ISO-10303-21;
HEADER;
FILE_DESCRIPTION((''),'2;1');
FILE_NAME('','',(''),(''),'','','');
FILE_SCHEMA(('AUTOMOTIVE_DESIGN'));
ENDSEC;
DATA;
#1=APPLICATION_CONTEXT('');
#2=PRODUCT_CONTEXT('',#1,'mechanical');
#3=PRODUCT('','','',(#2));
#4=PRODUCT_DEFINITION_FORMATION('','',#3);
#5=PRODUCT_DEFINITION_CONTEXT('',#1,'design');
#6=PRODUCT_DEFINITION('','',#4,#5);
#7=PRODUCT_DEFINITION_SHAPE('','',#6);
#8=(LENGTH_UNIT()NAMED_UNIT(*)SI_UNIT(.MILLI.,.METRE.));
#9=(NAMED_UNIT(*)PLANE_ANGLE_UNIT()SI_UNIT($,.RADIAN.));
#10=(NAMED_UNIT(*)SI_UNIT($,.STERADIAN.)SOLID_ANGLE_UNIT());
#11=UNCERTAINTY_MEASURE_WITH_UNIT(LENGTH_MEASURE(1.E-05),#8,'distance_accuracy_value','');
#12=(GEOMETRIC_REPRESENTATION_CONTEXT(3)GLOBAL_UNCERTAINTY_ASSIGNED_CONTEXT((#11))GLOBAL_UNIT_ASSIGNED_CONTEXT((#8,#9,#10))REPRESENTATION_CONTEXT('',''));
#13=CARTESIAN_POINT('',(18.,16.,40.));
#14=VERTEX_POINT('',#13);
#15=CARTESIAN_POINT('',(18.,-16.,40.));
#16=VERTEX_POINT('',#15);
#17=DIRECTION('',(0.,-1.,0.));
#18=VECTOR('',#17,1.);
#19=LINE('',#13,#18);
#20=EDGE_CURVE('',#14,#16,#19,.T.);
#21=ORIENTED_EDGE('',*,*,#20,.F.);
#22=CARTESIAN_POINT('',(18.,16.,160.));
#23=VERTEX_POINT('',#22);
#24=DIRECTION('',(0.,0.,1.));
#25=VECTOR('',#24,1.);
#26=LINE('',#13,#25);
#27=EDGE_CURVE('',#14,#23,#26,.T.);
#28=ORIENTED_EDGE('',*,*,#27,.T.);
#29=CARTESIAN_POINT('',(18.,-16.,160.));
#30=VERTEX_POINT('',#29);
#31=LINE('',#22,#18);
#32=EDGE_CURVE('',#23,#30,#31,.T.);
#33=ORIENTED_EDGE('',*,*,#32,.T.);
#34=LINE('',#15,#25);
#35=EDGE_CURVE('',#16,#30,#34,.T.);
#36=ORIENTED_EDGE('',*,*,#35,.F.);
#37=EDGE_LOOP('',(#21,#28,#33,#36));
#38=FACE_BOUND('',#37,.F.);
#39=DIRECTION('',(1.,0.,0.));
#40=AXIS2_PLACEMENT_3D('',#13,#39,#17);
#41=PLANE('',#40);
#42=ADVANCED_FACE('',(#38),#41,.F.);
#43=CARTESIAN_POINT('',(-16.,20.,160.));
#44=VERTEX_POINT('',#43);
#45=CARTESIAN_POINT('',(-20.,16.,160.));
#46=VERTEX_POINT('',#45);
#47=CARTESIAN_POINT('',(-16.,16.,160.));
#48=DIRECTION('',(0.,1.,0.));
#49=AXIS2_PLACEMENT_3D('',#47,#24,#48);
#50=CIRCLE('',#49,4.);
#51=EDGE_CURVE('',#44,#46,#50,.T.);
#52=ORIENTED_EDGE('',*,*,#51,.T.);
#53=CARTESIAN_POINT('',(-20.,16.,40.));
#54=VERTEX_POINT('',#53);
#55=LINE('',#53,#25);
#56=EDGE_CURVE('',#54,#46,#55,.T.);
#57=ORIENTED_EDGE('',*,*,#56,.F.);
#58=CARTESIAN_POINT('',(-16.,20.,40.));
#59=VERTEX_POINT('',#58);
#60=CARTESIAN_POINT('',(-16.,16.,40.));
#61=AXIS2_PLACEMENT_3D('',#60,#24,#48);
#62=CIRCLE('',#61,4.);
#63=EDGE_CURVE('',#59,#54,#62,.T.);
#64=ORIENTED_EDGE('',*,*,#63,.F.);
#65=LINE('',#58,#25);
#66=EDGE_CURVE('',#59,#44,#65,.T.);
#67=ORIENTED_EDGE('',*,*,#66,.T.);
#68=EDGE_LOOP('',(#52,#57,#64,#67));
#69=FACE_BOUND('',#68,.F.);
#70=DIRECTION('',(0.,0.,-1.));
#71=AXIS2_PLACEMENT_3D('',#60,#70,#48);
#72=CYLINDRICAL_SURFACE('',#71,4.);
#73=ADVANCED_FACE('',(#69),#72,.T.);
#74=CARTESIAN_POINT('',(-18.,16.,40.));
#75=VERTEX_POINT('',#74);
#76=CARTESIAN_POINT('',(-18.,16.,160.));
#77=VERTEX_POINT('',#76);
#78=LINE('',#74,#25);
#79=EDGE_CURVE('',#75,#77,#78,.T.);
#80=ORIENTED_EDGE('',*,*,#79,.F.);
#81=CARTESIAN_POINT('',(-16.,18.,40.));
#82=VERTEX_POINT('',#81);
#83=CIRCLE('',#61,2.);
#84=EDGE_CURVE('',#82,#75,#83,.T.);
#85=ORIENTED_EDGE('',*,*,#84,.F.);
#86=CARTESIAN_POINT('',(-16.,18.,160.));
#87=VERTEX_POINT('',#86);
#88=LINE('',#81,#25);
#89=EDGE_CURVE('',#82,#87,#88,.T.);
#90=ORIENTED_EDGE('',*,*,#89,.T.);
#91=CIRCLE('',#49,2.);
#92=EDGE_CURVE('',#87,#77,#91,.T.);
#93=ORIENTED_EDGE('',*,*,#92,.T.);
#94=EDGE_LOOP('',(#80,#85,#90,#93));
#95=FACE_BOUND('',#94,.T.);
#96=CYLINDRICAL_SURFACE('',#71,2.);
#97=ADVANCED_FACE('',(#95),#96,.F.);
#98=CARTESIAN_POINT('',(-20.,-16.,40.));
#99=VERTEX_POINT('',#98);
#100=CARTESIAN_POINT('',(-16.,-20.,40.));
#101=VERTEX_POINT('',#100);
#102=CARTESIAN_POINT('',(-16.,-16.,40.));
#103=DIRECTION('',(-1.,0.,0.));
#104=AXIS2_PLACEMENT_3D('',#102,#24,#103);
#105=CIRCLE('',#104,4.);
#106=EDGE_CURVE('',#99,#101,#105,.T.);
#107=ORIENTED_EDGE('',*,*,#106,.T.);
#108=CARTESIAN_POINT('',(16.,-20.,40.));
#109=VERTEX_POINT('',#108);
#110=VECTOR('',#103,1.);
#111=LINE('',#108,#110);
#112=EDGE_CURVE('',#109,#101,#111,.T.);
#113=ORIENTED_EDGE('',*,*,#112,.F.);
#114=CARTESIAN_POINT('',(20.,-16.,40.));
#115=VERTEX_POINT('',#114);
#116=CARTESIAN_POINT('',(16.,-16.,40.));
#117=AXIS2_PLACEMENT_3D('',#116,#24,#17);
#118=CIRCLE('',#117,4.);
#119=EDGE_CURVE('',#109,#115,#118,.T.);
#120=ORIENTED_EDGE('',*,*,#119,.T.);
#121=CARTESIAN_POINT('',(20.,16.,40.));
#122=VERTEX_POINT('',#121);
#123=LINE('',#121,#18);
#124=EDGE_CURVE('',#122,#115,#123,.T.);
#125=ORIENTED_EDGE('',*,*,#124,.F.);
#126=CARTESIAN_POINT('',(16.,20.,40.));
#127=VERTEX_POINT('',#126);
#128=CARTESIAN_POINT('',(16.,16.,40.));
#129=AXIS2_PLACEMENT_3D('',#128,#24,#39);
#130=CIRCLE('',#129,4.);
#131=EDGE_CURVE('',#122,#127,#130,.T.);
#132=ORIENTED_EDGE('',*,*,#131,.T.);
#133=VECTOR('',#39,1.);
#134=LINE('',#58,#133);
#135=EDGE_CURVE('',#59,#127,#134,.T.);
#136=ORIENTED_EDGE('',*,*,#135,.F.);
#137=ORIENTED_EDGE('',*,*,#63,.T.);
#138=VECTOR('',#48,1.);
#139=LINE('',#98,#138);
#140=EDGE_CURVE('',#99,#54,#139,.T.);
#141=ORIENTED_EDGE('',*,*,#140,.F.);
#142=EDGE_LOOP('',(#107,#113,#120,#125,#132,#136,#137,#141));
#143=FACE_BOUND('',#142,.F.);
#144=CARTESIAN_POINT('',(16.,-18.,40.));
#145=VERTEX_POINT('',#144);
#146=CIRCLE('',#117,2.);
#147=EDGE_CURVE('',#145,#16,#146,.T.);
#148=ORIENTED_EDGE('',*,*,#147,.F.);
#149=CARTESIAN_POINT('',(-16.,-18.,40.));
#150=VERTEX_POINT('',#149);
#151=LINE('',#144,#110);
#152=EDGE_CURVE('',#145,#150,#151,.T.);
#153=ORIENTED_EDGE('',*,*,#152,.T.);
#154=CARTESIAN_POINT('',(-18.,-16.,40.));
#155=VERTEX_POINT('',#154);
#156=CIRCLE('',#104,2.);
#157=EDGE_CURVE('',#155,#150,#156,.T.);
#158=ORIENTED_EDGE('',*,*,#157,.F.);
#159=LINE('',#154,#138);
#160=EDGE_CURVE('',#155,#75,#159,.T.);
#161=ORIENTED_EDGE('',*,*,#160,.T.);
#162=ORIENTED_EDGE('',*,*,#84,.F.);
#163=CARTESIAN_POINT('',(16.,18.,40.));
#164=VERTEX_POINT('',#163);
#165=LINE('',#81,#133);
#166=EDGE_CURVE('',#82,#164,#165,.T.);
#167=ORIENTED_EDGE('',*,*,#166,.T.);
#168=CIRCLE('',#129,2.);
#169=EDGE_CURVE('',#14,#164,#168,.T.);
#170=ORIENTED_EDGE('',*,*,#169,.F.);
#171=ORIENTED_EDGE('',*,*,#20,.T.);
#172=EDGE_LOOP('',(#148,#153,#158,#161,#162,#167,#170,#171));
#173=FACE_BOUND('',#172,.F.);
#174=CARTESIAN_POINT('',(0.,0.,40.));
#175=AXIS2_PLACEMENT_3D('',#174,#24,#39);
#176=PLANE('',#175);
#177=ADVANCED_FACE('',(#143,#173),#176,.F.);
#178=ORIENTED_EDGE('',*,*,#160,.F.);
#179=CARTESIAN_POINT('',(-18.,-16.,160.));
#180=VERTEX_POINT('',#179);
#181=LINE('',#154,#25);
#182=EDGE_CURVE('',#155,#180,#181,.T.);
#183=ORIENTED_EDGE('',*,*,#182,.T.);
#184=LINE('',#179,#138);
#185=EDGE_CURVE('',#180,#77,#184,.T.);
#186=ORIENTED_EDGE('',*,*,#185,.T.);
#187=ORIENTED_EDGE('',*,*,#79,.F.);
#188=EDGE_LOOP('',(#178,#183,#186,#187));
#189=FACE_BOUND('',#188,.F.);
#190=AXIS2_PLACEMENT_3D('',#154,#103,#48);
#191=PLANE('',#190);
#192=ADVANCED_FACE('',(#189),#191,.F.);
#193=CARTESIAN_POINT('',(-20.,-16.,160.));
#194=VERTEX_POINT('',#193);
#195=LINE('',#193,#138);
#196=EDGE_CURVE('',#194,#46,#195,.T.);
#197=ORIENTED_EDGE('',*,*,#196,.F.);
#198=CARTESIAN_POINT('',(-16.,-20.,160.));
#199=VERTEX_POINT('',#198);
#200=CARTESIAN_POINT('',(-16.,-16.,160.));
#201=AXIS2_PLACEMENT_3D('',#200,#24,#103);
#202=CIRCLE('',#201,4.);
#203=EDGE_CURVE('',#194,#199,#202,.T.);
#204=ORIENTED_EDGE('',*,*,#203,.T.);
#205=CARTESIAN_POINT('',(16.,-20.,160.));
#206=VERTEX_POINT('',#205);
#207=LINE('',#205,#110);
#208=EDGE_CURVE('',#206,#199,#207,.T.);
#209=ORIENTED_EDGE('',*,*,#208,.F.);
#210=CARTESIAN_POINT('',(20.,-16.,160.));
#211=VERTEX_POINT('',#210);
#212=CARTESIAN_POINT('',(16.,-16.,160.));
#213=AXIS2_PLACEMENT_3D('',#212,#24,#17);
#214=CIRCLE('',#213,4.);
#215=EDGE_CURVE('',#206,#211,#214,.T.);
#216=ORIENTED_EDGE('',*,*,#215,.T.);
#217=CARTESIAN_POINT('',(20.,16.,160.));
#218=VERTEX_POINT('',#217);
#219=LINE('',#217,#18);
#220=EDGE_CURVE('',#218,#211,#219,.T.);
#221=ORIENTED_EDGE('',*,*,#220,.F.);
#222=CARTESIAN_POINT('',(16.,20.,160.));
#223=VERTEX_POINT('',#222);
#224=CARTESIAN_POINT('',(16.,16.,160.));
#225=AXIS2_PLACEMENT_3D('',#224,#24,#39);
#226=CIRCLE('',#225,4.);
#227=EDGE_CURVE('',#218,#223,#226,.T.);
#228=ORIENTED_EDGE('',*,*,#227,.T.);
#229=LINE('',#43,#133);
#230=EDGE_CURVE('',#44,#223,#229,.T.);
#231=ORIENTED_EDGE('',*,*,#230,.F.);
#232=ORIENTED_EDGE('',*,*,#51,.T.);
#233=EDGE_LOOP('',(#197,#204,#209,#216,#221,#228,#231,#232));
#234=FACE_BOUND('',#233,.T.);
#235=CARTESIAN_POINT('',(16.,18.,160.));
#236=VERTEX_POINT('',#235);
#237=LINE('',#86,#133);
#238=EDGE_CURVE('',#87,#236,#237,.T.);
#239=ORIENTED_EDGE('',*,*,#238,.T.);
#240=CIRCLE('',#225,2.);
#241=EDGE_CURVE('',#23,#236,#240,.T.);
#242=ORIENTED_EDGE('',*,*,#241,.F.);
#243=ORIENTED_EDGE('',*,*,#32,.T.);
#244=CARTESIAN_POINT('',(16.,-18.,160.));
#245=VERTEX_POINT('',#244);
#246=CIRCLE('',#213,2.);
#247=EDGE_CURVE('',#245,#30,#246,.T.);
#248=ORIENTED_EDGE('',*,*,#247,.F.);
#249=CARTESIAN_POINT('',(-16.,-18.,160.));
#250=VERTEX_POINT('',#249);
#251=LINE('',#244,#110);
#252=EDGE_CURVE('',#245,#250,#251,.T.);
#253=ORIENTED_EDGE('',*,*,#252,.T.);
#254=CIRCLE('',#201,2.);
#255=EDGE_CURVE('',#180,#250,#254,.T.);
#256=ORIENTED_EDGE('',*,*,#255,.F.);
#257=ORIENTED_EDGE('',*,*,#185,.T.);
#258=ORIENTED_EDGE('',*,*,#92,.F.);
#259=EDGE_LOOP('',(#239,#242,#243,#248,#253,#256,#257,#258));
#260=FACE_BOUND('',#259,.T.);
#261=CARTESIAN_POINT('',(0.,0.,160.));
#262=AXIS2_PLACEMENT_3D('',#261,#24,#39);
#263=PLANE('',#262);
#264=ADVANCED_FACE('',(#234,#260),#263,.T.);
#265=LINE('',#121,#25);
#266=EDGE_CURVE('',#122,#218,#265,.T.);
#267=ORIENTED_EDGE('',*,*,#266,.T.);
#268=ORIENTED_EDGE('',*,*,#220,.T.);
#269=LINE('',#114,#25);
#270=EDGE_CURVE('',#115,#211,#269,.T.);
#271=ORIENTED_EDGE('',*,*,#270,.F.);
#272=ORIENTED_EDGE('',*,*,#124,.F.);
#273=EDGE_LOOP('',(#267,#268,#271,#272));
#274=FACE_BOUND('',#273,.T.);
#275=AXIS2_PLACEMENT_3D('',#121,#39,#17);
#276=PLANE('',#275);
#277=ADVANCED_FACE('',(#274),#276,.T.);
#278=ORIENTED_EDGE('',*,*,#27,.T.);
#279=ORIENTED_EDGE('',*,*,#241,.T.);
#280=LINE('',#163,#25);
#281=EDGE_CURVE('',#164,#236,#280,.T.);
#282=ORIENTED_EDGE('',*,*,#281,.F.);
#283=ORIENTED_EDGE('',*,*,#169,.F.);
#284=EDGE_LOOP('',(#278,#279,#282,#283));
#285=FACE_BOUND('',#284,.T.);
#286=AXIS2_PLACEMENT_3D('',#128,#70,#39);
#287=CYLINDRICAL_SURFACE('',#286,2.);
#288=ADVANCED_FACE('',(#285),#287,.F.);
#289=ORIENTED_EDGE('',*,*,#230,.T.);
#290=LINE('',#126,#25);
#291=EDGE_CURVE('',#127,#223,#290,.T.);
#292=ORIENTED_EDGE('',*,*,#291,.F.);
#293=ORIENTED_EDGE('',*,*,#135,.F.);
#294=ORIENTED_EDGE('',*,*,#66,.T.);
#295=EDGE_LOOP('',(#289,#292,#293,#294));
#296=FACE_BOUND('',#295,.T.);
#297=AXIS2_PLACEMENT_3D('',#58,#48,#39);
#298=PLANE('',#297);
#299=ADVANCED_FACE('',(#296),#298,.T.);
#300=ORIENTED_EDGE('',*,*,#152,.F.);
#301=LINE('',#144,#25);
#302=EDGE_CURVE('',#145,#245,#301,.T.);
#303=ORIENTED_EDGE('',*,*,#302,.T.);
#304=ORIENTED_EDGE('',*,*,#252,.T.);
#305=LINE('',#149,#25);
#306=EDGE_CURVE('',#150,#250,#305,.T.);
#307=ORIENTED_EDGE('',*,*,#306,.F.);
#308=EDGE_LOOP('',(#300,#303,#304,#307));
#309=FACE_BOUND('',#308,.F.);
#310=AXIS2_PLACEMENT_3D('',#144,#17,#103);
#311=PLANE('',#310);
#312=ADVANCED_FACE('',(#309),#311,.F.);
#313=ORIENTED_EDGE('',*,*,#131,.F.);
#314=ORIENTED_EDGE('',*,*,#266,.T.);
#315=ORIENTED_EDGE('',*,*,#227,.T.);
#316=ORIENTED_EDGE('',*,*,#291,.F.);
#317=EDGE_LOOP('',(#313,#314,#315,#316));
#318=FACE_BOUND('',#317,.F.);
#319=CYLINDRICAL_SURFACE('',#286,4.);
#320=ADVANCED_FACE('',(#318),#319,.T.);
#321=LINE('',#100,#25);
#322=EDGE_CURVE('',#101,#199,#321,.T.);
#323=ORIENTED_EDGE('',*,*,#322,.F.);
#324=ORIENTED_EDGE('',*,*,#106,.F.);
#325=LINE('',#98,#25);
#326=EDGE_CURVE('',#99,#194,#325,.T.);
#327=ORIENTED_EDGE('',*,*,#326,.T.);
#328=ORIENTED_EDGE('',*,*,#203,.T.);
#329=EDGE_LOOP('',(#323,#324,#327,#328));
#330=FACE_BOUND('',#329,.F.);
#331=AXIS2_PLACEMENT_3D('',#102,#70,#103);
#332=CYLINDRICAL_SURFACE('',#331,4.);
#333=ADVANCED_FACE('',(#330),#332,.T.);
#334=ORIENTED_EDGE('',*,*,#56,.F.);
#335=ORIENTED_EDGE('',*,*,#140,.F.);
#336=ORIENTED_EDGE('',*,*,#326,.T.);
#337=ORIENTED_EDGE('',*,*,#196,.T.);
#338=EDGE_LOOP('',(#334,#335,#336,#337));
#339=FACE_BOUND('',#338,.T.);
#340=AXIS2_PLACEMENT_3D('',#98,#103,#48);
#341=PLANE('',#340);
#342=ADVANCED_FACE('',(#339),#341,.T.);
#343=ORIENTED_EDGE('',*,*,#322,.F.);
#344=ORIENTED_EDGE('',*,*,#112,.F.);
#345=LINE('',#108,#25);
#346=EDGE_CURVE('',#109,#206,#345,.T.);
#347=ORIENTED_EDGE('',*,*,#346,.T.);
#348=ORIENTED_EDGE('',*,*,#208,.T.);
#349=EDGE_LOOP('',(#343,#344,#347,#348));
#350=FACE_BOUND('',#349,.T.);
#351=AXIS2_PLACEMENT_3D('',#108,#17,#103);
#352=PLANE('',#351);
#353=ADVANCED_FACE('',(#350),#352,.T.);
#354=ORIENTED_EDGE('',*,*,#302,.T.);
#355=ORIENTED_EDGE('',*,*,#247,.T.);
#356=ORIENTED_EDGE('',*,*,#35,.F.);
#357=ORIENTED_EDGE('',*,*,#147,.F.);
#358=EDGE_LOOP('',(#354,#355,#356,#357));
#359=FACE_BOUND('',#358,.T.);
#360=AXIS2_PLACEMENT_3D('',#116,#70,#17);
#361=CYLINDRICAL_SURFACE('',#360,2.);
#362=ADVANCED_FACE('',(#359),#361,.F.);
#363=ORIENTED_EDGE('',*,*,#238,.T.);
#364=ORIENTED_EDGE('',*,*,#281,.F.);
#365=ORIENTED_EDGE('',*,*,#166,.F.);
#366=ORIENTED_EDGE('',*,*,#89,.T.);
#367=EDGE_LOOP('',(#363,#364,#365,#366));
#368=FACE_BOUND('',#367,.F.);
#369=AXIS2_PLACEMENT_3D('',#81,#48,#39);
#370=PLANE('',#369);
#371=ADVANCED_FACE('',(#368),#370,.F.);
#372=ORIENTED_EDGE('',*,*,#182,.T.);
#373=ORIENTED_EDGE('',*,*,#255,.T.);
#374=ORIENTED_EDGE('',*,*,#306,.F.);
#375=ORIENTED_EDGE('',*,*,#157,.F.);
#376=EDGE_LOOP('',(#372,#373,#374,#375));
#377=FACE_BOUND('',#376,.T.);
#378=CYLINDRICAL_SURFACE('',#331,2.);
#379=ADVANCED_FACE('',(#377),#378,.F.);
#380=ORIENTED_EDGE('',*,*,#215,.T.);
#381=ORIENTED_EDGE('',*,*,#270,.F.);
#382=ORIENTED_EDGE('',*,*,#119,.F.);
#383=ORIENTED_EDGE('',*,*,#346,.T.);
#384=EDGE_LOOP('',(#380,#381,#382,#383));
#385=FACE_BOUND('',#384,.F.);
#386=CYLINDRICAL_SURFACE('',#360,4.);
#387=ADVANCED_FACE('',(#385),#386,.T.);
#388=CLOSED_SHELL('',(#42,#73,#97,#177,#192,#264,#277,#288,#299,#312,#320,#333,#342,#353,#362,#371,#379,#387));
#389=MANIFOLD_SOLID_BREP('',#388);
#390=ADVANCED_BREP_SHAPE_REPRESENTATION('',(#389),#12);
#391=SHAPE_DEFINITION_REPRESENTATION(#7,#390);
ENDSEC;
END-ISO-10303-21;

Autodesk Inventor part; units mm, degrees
ref_plane "YZ Plane" through (0, 0, 0) normal (1, 0, 0) x (0, 1, 0)
ref_plane "Start Plane" through (0, 0, 40) normal (0, 0, 1) x (1, 0, 0)
ref_plane "End Plane" through (0, 0, 160) normal (0, 0, 1) x (1, 0, 0)
sketch "Sketch" plane through (0, 0, 0) normal (0, 0, 1) x (1, 0, 0)
  line L0 (-20, -16) -> (-20, 16)
  line L1 (-16, 20) -> (16, 20)
  line L2 (20, 16) -> (20, -16)
  line L3 (16, -20) -> (-16, -20)
  arc A0 (-20, -16) -> (-16, -20) centre (-16, -16) ccw
  arc A1 (20, 16) -> (16, 20) centre (16, 16) ccw
  arc A2 (-16, 20) -> (-20, 16) centre (-16, 16) ccw
  arc A3 (16, -20) -> (20, -16) centre (16, -16) ccw
  arc A4 (-16, 18) -> (-18, 16) centre (-16, 16) ccw
  line L4 (-16, 18) -> (16, 18)
  arc A5 (18, 16) -> (16, 18) centre (16, 16) ccw
  line L5 (18, 16) -> (18, -16)
  arc A6 (16, -18) -> (18, -16) centre (16, -16) ccw
  line L6 (16, -18) -> (-16, -18)
  arc A7 (-18, -16) -> (-16, -18) centre (-16, -16) ccw
  line L7 (-18, -16) -> (-18, 16)
  line L8 (0, 29.1598) -> (0, -29.1598) construction
  line L9 (-29.1598, 0) -> (29.1598, 0) construction
  dimension "d7" = 4
  dimension "d9" = 40
  dimension "d11" = 40
  dimension "d12" = 2
  dimension "d15" = 20
  dimension "d16" = 20
extrude "Body" add sketch "Sketch" along normal up to surface (120 mm away) from surface at 40
sketch "Sketch3" plane through (0, 0, 0) normal (0, 0, 1) x (1, 0, 0)
  line L0 (0, 0) -> (10, 0)
ref_plane "Work Plane3" through (0, 0, 0) normal (0, -1, 0) x (1, 0, 0)
sketch "Sketch4" plane through (0, 0, 0) normal (0, -1, 0) x (1, 0, 0)
  line L0 (-2, 40) -> (12, 40) projected
  line L1 (-2, 160) -> (12, 160) projected
  dimension "d18" = 120
equation "\"d7\" = G_IR"
equation "\"d9\" = G_W"
equation "\"d11\" = G_H"
equation "\"d12\" = G_T"
equation "\"d15\" = 0.5 * d9"
equation "\"d16\" = 0.5 * d11"
equation "\"d3\" = G_L"
equation "\"G_W\" = 40"
equation "\"G_H\" = 40"
equation "\"G_T\" = 2"
equation "\"G_IR\" = 4"
equation "\"G_L\" = d18"
properties part number "ISO 10799-2 - 40x40x2 - 120" material "Stainless Steel"
